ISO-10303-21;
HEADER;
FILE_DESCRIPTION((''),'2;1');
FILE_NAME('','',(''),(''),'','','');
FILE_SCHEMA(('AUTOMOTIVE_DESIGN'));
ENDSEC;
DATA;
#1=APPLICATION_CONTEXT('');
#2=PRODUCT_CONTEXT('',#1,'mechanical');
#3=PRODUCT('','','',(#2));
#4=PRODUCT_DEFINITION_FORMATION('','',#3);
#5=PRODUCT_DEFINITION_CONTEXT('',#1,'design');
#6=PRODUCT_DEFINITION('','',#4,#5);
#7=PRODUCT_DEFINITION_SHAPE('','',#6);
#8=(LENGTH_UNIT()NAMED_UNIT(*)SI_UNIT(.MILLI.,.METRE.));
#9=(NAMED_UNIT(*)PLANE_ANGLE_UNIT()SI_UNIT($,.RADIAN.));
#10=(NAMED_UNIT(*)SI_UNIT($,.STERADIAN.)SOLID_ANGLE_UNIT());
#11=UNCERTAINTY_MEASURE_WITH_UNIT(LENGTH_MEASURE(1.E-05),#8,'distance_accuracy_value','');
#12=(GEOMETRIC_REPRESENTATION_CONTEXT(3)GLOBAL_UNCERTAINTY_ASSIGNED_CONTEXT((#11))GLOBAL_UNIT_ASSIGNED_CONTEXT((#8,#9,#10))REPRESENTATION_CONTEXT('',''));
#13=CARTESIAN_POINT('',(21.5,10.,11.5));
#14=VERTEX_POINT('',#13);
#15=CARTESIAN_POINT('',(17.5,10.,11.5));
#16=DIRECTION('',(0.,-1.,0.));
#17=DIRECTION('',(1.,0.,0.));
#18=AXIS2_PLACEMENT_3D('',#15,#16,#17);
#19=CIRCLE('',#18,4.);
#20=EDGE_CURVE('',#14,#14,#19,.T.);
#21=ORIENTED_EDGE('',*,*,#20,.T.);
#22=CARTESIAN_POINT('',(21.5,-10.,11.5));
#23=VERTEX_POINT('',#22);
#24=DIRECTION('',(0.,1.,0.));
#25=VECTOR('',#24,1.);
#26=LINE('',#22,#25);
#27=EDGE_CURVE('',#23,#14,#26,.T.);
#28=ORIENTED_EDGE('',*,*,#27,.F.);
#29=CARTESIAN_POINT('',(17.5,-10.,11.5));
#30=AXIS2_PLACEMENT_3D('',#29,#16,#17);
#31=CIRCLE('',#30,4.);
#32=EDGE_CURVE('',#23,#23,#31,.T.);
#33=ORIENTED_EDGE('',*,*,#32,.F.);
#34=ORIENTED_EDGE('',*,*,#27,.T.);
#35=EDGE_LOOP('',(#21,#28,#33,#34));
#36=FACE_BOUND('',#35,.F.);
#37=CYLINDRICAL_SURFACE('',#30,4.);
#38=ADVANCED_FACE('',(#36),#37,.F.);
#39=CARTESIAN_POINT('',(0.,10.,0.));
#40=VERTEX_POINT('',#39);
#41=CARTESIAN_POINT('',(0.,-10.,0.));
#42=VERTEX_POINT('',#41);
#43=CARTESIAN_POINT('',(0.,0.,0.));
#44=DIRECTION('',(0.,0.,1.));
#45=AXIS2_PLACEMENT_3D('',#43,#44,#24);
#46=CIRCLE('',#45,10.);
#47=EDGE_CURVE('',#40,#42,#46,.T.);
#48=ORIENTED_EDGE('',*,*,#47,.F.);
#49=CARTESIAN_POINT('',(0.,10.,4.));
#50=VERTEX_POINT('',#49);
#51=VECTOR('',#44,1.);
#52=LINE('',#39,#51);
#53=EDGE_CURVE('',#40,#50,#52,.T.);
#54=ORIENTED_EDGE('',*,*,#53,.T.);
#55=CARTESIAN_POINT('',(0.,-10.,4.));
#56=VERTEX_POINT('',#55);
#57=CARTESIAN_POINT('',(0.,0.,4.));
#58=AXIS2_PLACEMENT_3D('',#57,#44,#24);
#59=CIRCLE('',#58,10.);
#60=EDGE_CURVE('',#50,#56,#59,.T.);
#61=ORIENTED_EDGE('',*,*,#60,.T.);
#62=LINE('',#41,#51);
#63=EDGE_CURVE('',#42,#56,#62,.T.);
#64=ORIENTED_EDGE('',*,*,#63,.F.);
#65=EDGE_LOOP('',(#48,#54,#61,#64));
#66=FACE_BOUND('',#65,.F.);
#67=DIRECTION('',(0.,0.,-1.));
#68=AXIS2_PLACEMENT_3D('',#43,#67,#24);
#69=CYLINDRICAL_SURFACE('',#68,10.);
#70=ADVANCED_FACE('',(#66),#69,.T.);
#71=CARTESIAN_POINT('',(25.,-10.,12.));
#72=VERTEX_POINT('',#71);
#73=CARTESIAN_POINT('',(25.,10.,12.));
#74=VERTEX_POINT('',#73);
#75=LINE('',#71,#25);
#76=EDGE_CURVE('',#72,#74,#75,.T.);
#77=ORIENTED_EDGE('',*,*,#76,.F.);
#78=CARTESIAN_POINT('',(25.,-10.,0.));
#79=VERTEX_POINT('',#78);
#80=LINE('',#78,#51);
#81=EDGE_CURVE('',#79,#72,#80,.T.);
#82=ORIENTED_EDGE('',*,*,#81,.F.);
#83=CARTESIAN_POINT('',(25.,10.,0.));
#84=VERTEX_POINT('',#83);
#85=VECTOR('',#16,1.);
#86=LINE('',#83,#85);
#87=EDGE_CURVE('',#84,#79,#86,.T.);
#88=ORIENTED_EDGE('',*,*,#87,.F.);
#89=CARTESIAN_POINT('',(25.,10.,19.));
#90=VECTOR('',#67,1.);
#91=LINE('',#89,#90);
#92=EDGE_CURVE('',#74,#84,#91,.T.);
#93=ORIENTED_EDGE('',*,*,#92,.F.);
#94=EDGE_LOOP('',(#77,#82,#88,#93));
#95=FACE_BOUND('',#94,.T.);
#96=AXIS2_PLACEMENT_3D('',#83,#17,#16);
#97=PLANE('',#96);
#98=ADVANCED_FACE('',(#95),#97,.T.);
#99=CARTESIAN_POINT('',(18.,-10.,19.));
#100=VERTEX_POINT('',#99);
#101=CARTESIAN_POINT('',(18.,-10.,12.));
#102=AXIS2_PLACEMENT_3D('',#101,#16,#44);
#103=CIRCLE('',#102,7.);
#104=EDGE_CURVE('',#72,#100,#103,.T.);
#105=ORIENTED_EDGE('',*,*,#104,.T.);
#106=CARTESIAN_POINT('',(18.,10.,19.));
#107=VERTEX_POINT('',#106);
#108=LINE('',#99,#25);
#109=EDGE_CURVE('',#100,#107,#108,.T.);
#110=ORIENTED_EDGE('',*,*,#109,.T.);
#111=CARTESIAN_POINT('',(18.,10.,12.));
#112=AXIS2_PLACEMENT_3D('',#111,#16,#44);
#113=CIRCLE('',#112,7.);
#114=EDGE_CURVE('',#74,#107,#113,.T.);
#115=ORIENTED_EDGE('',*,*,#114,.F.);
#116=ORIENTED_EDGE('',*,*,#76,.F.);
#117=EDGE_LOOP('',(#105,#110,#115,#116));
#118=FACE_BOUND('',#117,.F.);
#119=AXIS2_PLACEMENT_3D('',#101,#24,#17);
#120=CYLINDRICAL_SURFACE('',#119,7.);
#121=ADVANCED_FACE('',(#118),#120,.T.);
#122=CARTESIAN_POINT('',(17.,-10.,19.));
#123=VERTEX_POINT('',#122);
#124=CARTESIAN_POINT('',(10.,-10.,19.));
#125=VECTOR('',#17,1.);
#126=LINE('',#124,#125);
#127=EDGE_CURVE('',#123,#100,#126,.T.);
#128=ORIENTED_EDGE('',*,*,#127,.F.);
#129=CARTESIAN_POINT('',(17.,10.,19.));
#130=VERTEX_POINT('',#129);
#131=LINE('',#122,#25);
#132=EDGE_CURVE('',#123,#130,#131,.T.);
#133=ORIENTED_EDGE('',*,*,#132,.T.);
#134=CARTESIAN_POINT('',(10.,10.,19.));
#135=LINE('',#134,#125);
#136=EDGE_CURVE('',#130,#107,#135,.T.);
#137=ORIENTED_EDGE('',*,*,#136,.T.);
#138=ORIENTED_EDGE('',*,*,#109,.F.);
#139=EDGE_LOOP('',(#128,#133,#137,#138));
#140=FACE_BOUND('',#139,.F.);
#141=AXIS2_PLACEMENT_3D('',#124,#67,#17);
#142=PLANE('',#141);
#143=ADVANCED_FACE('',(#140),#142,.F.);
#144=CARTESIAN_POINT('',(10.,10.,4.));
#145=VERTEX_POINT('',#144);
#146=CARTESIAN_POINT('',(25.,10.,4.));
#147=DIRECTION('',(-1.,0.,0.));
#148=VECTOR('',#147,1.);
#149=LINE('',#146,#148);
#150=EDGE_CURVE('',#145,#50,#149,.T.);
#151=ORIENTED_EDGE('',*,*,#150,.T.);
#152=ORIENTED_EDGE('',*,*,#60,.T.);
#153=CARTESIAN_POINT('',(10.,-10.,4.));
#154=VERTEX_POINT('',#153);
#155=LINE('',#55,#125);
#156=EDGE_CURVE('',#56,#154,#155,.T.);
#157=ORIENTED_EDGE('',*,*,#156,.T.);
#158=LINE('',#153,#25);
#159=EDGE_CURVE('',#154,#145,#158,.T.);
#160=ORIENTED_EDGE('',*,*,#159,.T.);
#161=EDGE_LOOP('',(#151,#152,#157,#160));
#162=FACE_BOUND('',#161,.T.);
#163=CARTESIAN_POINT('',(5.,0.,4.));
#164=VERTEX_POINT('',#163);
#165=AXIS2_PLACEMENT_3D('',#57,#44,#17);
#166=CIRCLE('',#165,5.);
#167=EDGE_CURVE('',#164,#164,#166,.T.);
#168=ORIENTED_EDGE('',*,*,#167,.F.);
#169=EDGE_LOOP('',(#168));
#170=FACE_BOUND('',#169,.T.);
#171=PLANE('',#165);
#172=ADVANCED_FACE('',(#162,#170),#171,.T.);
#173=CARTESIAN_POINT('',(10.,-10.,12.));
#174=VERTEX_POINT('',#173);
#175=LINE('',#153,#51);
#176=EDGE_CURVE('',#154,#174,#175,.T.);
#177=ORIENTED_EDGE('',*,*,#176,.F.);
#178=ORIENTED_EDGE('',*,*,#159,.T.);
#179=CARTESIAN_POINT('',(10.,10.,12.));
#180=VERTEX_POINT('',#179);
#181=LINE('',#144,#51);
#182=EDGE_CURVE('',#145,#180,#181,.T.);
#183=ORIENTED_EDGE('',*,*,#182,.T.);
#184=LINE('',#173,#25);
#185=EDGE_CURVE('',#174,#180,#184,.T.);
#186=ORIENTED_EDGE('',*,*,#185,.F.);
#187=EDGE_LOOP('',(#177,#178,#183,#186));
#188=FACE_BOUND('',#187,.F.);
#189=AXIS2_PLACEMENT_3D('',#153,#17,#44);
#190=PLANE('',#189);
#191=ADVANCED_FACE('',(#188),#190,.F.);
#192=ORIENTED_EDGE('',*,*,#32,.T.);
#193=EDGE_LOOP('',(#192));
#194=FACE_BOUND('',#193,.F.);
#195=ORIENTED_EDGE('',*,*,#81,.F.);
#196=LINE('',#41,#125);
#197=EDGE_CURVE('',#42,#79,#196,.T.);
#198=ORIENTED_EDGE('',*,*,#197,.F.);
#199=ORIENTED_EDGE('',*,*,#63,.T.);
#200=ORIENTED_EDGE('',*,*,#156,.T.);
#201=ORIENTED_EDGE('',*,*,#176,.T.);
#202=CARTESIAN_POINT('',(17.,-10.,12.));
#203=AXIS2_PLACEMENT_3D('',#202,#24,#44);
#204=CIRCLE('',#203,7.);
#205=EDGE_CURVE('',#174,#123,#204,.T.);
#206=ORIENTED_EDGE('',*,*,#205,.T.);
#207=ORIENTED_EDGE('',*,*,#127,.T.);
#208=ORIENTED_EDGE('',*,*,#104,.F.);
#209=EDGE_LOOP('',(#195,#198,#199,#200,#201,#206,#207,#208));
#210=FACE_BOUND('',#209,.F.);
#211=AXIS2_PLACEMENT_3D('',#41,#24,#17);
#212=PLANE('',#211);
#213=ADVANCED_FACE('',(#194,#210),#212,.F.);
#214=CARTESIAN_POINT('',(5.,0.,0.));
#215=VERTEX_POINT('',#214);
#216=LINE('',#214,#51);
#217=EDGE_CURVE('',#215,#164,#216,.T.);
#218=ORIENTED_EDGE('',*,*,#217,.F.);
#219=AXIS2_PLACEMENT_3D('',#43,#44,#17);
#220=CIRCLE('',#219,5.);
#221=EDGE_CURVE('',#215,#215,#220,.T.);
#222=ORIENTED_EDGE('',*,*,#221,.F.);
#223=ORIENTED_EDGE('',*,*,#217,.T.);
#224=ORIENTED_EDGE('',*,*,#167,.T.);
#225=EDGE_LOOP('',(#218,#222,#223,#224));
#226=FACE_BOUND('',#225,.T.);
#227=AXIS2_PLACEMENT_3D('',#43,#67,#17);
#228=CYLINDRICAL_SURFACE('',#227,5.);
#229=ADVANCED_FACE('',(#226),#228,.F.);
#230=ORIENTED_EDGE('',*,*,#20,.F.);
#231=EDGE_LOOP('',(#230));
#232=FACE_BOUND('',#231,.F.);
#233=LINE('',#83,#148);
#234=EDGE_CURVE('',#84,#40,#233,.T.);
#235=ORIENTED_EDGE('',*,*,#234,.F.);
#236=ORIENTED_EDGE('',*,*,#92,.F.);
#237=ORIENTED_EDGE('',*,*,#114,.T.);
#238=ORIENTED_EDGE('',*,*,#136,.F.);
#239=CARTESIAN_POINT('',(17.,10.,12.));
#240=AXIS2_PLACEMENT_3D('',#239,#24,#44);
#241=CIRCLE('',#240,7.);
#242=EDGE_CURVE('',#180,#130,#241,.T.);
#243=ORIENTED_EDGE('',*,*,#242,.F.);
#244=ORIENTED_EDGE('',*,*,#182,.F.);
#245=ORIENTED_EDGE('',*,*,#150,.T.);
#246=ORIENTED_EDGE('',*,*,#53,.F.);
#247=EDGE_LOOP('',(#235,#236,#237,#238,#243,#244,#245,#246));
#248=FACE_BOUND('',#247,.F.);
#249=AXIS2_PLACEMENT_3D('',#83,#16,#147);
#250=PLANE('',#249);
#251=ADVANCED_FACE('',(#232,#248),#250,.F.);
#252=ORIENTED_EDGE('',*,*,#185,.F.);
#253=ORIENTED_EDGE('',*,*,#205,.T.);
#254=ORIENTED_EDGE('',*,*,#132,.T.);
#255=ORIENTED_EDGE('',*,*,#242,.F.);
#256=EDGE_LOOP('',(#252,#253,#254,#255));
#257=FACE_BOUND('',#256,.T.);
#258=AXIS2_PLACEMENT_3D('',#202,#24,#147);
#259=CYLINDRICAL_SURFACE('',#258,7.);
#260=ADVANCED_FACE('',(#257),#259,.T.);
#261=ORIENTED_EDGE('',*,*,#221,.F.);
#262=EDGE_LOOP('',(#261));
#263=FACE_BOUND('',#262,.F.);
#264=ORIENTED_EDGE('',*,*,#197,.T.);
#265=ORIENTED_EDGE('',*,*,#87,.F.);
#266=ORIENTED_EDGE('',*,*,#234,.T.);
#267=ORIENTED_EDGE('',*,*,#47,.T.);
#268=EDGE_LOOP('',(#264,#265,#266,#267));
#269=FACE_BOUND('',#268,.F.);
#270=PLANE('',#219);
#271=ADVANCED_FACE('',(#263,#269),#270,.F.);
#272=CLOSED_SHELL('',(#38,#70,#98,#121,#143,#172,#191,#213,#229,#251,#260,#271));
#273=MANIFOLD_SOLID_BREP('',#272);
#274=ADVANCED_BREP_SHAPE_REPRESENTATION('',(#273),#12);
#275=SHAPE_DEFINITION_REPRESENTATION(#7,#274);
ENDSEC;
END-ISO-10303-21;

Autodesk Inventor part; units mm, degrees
ref_plane "YZ Plane" through (0, 0, 0) normal (1, 0, 0) x (0, 1, 0)
ref_plane "XZ Plane" through (0, 0, 0) normal (0, 1, 0) x (-1, 0, 0)
ref_plane "XY Plane" through (0, 0, 0) normal (0, 0, 1) x (1, 0, 0)
sketch "Sketch1" plane through (0, 0, 0) normal (0, 0, 1) x (1, 0, 0)
  circle A0 centre (0, 0) radius 5
  line L0 (0, 0) -> (25, 0) construction
  line L1 (0, -10) -> (25, -10)
  line L2 (25, 10) -> (0, 10)
  arc A1 (0, 10) -> (0, -10) centre (0, 0) ccw
  arc A2 (25, -10) -> (25, 10) centre (25, 0) ccw construction
  line L3 (25, 10) -> (25, -10)
  point P0 (12.5, 0)
  dimension "d0" = 10
  dimension "d1" = 5
  dimension "d2" = 25
extrude "Extrusion1" add sketch "Sketch1" along normal blind 4
sketch "Sketch2" plane through (0, -10, 0) normal (0, -1, 0) x (1, 0, 0)
  line L0 (0, 4) -> (25, 4) projected
  line L1 (25, 4) -> (10, 4)
  line L2 (10, 4) -> (10, 19)
  line L3 (10, 19) -> (25, 19)
  line L4 (25, 19) -> (25, 4)
  line L5 (17.5, 19) -> (17.5, 4) construction
  circle A0 centre (17.5, 11.5) radius 4
  point P0 (0, 0)
  dimension "d5" = 8
  dimension "d6" = 15
  dimension "d7" = 15
extrude "Extrusion2" add sketch "Sketch2" against normal up to surface (20 mm away)
fillet "Fillet1" radius 7 2 edges at (25, 0, 19) (10, 0, 19)
properties part number "cylinder bracket"
